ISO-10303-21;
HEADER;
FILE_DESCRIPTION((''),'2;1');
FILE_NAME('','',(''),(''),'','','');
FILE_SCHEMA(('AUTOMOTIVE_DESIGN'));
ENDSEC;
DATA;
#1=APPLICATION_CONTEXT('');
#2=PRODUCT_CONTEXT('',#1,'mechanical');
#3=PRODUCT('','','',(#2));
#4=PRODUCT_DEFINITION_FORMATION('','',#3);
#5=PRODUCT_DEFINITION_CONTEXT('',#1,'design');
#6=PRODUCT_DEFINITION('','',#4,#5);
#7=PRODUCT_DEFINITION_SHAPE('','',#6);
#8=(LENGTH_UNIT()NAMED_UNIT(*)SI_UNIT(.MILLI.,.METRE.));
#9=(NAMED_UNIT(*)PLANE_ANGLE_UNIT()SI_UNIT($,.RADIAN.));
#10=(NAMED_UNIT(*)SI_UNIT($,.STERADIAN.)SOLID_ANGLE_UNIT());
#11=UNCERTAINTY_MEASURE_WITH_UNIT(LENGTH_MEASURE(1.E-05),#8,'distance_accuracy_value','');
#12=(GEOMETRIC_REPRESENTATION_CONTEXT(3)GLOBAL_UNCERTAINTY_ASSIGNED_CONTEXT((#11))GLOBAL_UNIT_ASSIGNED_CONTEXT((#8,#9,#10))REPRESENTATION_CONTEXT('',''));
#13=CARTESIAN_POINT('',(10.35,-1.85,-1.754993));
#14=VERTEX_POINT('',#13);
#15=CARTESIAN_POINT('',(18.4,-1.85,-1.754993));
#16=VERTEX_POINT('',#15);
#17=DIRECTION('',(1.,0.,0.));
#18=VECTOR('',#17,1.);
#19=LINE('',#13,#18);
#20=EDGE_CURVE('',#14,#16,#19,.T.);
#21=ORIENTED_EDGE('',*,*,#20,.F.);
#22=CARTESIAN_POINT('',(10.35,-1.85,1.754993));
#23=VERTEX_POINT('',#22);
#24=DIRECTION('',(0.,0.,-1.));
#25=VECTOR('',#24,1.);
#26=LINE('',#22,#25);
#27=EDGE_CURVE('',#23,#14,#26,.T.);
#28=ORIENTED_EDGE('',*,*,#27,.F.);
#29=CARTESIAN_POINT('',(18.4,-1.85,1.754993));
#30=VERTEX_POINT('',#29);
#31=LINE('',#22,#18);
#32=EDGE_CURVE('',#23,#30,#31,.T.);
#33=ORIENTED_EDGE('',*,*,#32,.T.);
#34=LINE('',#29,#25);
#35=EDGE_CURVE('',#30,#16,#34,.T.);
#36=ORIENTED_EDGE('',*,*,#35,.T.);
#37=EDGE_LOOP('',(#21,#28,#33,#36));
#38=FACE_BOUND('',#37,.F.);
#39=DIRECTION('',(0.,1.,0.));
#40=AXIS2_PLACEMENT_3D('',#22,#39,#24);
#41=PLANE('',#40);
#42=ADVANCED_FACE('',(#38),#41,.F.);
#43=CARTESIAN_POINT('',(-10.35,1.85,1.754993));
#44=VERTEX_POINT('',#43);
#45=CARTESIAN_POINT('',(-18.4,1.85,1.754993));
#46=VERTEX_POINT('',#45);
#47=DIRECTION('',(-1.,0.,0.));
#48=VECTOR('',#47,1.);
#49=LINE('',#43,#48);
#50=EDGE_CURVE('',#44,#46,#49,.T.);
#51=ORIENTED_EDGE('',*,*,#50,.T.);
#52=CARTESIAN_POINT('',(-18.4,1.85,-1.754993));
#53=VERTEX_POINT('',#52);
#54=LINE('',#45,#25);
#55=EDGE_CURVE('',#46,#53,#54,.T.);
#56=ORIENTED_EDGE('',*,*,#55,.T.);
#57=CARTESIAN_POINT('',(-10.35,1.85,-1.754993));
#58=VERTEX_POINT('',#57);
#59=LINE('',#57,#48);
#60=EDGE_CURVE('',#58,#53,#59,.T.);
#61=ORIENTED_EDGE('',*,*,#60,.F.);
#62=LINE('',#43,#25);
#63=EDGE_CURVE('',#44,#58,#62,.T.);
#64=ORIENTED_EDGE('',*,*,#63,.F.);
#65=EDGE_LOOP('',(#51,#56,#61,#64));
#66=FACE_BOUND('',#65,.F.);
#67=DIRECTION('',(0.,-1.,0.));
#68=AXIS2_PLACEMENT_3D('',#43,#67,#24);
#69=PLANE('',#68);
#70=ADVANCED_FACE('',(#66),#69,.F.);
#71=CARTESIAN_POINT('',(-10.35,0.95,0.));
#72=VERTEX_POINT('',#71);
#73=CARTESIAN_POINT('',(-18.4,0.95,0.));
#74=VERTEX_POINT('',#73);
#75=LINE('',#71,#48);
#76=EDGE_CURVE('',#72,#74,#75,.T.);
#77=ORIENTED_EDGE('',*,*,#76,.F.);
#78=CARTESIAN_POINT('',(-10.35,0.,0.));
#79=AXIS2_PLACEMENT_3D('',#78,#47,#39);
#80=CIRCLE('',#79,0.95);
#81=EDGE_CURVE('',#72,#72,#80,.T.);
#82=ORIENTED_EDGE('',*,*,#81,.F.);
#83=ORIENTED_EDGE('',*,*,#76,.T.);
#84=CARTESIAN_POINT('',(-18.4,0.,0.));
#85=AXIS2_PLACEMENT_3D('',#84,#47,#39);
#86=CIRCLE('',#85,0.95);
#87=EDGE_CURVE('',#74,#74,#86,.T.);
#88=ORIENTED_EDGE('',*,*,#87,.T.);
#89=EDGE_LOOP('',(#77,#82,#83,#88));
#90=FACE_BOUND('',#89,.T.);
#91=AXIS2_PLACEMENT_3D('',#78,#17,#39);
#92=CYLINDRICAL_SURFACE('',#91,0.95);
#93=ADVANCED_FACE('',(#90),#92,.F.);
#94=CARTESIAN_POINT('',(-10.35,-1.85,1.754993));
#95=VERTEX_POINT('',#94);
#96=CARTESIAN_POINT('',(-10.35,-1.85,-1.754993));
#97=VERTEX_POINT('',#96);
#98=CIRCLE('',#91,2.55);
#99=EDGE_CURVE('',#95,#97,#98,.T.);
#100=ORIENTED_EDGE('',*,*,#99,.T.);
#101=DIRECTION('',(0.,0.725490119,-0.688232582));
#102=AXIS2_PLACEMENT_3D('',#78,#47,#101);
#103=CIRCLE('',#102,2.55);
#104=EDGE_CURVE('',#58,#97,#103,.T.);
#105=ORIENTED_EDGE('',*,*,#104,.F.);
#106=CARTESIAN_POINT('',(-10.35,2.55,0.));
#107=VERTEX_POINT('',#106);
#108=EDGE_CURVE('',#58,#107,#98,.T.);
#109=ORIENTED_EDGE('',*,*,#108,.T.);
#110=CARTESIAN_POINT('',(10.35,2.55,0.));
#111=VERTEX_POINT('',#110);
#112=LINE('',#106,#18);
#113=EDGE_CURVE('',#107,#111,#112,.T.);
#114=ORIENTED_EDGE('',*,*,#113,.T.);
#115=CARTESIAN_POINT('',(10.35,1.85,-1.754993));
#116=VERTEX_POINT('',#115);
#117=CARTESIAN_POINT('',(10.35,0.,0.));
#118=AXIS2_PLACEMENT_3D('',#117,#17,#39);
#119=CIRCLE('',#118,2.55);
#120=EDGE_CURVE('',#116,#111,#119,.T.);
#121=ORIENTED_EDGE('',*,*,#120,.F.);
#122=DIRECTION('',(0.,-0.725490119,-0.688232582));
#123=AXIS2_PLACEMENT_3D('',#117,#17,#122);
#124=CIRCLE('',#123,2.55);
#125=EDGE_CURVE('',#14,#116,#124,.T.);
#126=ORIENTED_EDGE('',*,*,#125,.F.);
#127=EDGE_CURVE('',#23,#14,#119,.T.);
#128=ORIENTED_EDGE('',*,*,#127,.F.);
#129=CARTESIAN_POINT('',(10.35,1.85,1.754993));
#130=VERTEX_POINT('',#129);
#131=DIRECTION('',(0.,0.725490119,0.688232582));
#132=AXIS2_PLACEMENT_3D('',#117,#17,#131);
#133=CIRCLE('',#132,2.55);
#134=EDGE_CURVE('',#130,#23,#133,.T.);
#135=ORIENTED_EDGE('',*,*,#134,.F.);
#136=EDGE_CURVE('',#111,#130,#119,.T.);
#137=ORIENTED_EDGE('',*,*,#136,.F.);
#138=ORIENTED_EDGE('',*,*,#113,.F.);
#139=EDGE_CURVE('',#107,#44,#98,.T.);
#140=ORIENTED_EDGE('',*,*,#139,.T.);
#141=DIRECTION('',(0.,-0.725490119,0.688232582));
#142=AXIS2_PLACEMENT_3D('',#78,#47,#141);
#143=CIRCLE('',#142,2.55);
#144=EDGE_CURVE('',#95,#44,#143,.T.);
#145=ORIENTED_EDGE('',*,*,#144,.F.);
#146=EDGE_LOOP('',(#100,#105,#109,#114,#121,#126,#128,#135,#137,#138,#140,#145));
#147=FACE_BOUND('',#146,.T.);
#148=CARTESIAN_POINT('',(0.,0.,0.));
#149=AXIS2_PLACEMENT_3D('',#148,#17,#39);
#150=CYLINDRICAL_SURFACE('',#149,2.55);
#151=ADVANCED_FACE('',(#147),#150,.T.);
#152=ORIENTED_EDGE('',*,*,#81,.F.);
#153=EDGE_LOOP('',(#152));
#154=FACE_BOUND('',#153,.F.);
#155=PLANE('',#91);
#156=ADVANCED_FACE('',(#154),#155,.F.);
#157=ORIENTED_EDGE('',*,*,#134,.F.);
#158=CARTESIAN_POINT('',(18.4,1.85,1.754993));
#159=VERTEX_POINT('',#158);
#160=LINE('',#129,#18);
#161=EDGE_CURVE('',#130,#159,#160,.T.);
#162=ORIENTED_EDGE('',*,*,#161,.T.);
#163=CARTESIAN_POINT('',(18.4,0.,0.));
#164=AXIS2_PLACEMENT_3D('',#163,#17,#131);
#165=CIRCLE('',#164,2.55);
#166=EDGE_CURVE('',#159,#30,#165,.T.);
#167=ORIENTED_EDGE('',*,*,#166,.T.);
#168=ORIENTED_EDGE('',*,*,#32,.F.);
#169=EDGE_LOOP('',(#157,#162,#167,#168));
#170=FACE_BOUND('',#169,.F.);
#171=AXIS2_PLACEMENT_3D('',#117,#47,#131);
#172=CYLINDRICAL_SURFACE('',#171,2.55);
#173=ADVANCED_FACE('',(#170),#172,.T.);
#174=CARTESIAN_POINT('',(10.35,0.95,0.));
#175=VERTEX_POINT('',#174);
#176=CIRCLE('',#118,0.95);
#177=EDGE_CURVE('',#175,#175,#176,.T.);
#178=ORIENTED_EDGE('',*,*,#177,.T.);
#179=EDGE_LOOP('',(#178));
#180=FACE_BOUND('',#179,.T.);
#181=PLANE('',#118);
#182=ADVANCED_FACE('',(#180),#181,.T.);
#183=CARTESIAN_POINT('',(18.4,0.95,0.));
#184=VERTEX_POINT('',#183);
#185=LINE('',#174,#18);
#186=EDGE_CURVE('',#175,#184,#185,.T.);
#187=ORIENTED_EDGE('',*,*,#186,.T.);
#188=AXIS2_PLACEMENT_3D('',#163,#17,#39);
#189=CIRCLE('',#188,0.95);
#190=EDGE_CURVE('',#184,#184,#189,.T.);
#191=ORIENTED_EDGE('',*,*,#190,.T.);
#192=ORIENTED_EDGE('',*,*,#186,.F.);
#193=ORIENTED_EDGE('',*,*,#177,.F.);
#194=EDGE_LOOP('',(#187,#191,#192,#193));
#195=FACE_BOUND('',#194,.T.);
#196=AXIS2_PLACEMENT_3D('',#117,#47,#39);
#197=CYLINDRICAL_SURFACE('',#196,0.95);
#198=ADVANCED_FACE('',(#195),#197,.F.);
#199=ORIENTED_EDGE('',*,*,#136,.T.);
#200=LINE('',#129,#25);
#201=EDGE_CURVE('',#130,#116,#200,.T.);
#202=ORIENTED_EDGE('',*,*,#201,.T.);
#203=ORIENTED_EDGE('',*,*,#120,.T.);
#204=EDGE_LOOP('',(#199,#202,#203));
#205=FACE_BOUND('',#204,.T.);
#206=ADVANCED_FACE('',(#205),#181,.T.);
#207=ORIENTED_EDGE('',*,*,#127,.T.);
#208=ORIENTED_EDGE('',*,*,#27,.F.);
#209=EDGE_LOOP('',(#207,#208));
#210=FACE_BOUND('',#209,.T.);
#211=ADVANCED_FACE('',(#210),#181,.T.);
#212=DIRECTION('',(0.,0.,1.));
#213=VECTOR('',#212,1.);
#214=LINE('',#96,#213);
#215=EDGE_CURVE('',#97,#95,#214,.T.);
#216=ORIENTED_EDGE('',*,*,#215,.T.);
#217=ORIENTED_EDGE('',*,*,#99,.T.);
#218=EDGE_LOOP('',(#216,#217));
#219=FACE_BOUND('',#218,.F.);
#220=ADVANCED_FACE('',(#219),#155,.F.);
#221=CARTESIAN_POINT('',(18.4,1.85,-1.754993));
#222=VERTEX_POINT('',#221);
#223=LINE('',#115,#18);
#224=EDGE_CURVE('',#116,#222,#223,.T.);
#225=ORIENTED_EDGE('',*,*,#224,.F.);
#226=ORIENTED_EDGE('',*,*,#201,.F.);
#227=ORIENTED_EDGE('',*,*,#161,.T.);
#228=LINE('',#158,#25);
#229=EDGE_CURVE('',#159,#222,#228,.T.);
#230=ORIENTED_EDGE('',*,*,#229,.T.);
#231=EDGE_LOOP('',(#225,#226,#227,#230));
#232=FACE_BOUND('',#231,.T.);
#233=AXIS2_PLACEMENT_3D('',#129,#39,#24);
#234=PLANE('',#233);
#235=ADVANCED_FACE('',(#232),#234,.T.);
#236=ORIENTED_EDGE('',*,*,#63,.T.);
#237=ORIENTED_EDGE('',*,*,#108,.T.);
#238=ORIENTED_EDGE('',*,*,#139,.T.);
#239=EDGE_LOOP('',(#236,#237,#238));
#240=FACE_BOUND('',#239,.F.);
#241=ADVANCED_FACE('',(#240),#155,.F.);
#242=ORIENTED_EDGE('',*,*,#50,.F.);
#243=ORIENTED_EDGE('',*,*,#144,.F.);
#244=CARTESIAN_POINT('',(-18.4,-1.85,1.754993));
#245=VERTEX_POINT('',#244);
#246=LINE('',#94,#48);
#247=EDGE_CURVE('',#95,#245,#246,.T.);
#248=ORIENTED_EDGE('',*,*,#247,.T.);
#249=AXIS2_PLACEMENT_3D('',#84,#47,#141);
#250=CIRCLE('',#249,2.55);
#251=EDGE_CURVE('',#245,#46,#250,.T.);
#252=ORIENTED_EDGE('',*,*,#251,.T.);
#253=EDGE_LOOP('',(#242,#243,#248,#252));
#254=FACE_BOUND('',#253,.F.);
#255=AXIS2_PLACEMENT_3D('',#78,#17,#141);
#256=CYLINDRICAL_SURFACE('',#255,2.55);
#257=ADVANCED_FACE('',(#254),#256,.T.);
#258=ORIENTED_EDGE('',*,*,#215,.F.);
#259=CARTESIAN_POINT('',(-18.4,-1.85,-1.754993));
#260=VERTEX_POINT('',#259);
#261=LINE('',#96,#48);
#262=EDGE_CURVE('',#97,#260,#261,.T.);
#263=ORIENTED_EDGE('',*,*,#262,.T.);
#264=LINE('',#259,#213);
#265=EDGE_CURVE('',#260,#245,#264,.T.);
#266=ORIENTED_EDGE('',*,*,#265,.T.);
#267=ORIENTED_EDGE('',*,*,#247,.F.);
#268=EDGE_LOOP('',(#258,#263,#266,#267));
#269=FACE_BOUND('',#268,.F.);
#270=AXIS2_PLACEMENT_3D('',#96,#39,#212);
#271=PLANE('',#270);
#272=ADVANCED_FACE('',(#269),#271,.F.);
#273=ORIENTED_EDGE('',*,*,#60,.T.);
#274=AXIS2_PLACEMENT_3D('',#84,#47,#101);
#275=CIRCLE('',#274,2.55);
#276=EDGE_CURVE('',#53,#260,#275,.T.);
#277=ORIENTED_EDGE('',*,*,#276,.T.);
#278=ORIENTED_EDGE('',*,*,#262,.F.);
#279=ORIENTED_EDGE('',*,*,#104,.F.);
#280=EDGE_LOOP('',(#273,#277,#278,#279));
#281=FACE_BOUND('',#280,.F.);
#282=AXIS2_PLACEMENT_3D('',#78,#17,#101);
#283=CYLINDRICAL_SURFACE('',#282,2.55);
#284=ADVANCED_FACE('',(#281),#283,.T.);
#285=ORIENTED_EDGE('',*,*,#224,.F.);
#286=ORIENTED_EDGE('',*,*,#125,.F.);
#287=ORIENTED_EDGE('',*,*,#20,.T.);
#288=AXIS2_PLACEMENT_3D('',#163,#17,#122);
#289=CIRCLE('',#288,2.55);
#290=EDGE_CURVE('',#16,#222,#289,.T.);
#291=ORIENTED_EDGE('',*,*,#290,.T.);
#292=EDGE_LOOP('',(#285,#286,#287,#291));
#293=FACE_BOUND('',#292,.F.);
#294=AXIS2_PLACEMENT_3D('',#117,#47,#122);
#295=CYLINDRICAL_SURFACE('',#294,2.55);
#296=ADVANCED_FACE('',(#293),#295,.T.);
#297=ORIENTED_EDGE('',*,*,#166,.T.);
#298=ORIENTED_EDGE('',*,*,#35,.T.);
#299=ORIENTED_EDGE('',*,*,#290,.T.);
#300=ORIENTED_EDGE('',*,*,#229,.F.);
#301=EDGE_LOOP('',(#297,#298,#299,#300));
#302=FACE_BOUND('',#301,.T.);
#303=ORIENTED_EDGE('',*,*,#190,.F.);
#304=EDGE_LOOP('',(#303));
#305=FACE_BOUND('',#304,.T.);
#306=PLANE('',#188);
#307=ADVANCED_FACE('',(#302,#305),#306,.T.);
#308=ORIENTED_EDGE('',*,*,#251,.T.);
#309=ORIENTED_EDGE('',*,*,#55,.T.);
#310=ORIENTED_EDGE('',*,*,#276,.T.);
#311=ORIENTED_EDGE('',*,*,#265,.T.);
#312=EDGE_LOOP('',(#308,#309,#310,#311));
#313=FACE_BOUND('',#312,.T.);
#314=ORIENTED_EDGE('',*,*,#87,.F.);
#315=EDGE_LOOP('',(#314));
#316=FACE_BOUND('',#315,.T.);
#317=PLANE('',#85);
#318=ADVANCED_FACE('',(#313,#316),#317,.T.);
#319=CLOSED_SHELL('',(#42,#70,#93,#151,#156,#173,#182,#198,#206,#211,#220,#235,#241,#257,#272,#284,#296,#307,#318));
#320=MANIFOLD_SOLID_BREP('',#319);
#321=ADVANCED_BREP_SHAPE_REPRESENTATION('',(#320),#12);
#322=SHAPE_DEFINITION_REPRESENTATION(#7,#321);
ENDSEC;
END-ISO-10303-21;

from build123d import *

# Parameters (mm, degrees)
SKETCH037_R  = 2.55
PAD031_DEPTH = 10.35
SKETCH038_R  = 0.95
PAD032_DEPTH = 8.05
SKETCH053_R  = 0.95
PAD045_DEPTH = 8.05


with BuildPart() as part:
    # Sketch037 → Pad031 (new body, symmetric)
    with BuildSketch(Plane.YZ):
        Circle(SKETCH037_R)
    extrude(amount=PAD031_DEPTH, both=True)

    # Sketch038 (on Face3 of Pad031) → Pad032 (join)
    with BuildSketch(Plane.YZ.offset(10.35)):
        with BuildLine():
            ThreePointArc((1.85, 1.754993), (0, 2.55), (-1.85, 1.754993))
            Line((-1.85, 1.754993), (-1.85, -1.754993))
            ThreePointArc((-1.85, -1.754993), (0, -2.55), (1.85, -1.754993))
            Line((1.85, 1.754993), (1.85, -1.754993))
        make_face()
        Circle(SKETCH038_R, mode=Mode.SUBTRACT)
    extrude(amount=PAD032_DEPTH)

    # Sketch053 (on Face9 of Pad032) → Pad045 (join)
    with BuildSketch(Plane(origin=(-10.35, 0, 0), x_dir=(0, 1, 0), z_dir=(-1, 0, 0))):
        with BuildLine():
            Line((1.85, -1.754993), (1.85, 1.754993))
            ThreePointArc((1.85, 1.754993), (0, 2.55), (-1.85, 1.754993))
            Line((-1.85, 1.754993), (-1.85, -1.754993))
            ThreePointArc((-1.85, -1.754993), (0, -2.55), (1.85, -1.754993))
        make_face()
        Circle(SKETCH053_R, mode=Mode.SUBTRACT)
    extrude(amount=PAD045_DEPTH)


solid = part.part
